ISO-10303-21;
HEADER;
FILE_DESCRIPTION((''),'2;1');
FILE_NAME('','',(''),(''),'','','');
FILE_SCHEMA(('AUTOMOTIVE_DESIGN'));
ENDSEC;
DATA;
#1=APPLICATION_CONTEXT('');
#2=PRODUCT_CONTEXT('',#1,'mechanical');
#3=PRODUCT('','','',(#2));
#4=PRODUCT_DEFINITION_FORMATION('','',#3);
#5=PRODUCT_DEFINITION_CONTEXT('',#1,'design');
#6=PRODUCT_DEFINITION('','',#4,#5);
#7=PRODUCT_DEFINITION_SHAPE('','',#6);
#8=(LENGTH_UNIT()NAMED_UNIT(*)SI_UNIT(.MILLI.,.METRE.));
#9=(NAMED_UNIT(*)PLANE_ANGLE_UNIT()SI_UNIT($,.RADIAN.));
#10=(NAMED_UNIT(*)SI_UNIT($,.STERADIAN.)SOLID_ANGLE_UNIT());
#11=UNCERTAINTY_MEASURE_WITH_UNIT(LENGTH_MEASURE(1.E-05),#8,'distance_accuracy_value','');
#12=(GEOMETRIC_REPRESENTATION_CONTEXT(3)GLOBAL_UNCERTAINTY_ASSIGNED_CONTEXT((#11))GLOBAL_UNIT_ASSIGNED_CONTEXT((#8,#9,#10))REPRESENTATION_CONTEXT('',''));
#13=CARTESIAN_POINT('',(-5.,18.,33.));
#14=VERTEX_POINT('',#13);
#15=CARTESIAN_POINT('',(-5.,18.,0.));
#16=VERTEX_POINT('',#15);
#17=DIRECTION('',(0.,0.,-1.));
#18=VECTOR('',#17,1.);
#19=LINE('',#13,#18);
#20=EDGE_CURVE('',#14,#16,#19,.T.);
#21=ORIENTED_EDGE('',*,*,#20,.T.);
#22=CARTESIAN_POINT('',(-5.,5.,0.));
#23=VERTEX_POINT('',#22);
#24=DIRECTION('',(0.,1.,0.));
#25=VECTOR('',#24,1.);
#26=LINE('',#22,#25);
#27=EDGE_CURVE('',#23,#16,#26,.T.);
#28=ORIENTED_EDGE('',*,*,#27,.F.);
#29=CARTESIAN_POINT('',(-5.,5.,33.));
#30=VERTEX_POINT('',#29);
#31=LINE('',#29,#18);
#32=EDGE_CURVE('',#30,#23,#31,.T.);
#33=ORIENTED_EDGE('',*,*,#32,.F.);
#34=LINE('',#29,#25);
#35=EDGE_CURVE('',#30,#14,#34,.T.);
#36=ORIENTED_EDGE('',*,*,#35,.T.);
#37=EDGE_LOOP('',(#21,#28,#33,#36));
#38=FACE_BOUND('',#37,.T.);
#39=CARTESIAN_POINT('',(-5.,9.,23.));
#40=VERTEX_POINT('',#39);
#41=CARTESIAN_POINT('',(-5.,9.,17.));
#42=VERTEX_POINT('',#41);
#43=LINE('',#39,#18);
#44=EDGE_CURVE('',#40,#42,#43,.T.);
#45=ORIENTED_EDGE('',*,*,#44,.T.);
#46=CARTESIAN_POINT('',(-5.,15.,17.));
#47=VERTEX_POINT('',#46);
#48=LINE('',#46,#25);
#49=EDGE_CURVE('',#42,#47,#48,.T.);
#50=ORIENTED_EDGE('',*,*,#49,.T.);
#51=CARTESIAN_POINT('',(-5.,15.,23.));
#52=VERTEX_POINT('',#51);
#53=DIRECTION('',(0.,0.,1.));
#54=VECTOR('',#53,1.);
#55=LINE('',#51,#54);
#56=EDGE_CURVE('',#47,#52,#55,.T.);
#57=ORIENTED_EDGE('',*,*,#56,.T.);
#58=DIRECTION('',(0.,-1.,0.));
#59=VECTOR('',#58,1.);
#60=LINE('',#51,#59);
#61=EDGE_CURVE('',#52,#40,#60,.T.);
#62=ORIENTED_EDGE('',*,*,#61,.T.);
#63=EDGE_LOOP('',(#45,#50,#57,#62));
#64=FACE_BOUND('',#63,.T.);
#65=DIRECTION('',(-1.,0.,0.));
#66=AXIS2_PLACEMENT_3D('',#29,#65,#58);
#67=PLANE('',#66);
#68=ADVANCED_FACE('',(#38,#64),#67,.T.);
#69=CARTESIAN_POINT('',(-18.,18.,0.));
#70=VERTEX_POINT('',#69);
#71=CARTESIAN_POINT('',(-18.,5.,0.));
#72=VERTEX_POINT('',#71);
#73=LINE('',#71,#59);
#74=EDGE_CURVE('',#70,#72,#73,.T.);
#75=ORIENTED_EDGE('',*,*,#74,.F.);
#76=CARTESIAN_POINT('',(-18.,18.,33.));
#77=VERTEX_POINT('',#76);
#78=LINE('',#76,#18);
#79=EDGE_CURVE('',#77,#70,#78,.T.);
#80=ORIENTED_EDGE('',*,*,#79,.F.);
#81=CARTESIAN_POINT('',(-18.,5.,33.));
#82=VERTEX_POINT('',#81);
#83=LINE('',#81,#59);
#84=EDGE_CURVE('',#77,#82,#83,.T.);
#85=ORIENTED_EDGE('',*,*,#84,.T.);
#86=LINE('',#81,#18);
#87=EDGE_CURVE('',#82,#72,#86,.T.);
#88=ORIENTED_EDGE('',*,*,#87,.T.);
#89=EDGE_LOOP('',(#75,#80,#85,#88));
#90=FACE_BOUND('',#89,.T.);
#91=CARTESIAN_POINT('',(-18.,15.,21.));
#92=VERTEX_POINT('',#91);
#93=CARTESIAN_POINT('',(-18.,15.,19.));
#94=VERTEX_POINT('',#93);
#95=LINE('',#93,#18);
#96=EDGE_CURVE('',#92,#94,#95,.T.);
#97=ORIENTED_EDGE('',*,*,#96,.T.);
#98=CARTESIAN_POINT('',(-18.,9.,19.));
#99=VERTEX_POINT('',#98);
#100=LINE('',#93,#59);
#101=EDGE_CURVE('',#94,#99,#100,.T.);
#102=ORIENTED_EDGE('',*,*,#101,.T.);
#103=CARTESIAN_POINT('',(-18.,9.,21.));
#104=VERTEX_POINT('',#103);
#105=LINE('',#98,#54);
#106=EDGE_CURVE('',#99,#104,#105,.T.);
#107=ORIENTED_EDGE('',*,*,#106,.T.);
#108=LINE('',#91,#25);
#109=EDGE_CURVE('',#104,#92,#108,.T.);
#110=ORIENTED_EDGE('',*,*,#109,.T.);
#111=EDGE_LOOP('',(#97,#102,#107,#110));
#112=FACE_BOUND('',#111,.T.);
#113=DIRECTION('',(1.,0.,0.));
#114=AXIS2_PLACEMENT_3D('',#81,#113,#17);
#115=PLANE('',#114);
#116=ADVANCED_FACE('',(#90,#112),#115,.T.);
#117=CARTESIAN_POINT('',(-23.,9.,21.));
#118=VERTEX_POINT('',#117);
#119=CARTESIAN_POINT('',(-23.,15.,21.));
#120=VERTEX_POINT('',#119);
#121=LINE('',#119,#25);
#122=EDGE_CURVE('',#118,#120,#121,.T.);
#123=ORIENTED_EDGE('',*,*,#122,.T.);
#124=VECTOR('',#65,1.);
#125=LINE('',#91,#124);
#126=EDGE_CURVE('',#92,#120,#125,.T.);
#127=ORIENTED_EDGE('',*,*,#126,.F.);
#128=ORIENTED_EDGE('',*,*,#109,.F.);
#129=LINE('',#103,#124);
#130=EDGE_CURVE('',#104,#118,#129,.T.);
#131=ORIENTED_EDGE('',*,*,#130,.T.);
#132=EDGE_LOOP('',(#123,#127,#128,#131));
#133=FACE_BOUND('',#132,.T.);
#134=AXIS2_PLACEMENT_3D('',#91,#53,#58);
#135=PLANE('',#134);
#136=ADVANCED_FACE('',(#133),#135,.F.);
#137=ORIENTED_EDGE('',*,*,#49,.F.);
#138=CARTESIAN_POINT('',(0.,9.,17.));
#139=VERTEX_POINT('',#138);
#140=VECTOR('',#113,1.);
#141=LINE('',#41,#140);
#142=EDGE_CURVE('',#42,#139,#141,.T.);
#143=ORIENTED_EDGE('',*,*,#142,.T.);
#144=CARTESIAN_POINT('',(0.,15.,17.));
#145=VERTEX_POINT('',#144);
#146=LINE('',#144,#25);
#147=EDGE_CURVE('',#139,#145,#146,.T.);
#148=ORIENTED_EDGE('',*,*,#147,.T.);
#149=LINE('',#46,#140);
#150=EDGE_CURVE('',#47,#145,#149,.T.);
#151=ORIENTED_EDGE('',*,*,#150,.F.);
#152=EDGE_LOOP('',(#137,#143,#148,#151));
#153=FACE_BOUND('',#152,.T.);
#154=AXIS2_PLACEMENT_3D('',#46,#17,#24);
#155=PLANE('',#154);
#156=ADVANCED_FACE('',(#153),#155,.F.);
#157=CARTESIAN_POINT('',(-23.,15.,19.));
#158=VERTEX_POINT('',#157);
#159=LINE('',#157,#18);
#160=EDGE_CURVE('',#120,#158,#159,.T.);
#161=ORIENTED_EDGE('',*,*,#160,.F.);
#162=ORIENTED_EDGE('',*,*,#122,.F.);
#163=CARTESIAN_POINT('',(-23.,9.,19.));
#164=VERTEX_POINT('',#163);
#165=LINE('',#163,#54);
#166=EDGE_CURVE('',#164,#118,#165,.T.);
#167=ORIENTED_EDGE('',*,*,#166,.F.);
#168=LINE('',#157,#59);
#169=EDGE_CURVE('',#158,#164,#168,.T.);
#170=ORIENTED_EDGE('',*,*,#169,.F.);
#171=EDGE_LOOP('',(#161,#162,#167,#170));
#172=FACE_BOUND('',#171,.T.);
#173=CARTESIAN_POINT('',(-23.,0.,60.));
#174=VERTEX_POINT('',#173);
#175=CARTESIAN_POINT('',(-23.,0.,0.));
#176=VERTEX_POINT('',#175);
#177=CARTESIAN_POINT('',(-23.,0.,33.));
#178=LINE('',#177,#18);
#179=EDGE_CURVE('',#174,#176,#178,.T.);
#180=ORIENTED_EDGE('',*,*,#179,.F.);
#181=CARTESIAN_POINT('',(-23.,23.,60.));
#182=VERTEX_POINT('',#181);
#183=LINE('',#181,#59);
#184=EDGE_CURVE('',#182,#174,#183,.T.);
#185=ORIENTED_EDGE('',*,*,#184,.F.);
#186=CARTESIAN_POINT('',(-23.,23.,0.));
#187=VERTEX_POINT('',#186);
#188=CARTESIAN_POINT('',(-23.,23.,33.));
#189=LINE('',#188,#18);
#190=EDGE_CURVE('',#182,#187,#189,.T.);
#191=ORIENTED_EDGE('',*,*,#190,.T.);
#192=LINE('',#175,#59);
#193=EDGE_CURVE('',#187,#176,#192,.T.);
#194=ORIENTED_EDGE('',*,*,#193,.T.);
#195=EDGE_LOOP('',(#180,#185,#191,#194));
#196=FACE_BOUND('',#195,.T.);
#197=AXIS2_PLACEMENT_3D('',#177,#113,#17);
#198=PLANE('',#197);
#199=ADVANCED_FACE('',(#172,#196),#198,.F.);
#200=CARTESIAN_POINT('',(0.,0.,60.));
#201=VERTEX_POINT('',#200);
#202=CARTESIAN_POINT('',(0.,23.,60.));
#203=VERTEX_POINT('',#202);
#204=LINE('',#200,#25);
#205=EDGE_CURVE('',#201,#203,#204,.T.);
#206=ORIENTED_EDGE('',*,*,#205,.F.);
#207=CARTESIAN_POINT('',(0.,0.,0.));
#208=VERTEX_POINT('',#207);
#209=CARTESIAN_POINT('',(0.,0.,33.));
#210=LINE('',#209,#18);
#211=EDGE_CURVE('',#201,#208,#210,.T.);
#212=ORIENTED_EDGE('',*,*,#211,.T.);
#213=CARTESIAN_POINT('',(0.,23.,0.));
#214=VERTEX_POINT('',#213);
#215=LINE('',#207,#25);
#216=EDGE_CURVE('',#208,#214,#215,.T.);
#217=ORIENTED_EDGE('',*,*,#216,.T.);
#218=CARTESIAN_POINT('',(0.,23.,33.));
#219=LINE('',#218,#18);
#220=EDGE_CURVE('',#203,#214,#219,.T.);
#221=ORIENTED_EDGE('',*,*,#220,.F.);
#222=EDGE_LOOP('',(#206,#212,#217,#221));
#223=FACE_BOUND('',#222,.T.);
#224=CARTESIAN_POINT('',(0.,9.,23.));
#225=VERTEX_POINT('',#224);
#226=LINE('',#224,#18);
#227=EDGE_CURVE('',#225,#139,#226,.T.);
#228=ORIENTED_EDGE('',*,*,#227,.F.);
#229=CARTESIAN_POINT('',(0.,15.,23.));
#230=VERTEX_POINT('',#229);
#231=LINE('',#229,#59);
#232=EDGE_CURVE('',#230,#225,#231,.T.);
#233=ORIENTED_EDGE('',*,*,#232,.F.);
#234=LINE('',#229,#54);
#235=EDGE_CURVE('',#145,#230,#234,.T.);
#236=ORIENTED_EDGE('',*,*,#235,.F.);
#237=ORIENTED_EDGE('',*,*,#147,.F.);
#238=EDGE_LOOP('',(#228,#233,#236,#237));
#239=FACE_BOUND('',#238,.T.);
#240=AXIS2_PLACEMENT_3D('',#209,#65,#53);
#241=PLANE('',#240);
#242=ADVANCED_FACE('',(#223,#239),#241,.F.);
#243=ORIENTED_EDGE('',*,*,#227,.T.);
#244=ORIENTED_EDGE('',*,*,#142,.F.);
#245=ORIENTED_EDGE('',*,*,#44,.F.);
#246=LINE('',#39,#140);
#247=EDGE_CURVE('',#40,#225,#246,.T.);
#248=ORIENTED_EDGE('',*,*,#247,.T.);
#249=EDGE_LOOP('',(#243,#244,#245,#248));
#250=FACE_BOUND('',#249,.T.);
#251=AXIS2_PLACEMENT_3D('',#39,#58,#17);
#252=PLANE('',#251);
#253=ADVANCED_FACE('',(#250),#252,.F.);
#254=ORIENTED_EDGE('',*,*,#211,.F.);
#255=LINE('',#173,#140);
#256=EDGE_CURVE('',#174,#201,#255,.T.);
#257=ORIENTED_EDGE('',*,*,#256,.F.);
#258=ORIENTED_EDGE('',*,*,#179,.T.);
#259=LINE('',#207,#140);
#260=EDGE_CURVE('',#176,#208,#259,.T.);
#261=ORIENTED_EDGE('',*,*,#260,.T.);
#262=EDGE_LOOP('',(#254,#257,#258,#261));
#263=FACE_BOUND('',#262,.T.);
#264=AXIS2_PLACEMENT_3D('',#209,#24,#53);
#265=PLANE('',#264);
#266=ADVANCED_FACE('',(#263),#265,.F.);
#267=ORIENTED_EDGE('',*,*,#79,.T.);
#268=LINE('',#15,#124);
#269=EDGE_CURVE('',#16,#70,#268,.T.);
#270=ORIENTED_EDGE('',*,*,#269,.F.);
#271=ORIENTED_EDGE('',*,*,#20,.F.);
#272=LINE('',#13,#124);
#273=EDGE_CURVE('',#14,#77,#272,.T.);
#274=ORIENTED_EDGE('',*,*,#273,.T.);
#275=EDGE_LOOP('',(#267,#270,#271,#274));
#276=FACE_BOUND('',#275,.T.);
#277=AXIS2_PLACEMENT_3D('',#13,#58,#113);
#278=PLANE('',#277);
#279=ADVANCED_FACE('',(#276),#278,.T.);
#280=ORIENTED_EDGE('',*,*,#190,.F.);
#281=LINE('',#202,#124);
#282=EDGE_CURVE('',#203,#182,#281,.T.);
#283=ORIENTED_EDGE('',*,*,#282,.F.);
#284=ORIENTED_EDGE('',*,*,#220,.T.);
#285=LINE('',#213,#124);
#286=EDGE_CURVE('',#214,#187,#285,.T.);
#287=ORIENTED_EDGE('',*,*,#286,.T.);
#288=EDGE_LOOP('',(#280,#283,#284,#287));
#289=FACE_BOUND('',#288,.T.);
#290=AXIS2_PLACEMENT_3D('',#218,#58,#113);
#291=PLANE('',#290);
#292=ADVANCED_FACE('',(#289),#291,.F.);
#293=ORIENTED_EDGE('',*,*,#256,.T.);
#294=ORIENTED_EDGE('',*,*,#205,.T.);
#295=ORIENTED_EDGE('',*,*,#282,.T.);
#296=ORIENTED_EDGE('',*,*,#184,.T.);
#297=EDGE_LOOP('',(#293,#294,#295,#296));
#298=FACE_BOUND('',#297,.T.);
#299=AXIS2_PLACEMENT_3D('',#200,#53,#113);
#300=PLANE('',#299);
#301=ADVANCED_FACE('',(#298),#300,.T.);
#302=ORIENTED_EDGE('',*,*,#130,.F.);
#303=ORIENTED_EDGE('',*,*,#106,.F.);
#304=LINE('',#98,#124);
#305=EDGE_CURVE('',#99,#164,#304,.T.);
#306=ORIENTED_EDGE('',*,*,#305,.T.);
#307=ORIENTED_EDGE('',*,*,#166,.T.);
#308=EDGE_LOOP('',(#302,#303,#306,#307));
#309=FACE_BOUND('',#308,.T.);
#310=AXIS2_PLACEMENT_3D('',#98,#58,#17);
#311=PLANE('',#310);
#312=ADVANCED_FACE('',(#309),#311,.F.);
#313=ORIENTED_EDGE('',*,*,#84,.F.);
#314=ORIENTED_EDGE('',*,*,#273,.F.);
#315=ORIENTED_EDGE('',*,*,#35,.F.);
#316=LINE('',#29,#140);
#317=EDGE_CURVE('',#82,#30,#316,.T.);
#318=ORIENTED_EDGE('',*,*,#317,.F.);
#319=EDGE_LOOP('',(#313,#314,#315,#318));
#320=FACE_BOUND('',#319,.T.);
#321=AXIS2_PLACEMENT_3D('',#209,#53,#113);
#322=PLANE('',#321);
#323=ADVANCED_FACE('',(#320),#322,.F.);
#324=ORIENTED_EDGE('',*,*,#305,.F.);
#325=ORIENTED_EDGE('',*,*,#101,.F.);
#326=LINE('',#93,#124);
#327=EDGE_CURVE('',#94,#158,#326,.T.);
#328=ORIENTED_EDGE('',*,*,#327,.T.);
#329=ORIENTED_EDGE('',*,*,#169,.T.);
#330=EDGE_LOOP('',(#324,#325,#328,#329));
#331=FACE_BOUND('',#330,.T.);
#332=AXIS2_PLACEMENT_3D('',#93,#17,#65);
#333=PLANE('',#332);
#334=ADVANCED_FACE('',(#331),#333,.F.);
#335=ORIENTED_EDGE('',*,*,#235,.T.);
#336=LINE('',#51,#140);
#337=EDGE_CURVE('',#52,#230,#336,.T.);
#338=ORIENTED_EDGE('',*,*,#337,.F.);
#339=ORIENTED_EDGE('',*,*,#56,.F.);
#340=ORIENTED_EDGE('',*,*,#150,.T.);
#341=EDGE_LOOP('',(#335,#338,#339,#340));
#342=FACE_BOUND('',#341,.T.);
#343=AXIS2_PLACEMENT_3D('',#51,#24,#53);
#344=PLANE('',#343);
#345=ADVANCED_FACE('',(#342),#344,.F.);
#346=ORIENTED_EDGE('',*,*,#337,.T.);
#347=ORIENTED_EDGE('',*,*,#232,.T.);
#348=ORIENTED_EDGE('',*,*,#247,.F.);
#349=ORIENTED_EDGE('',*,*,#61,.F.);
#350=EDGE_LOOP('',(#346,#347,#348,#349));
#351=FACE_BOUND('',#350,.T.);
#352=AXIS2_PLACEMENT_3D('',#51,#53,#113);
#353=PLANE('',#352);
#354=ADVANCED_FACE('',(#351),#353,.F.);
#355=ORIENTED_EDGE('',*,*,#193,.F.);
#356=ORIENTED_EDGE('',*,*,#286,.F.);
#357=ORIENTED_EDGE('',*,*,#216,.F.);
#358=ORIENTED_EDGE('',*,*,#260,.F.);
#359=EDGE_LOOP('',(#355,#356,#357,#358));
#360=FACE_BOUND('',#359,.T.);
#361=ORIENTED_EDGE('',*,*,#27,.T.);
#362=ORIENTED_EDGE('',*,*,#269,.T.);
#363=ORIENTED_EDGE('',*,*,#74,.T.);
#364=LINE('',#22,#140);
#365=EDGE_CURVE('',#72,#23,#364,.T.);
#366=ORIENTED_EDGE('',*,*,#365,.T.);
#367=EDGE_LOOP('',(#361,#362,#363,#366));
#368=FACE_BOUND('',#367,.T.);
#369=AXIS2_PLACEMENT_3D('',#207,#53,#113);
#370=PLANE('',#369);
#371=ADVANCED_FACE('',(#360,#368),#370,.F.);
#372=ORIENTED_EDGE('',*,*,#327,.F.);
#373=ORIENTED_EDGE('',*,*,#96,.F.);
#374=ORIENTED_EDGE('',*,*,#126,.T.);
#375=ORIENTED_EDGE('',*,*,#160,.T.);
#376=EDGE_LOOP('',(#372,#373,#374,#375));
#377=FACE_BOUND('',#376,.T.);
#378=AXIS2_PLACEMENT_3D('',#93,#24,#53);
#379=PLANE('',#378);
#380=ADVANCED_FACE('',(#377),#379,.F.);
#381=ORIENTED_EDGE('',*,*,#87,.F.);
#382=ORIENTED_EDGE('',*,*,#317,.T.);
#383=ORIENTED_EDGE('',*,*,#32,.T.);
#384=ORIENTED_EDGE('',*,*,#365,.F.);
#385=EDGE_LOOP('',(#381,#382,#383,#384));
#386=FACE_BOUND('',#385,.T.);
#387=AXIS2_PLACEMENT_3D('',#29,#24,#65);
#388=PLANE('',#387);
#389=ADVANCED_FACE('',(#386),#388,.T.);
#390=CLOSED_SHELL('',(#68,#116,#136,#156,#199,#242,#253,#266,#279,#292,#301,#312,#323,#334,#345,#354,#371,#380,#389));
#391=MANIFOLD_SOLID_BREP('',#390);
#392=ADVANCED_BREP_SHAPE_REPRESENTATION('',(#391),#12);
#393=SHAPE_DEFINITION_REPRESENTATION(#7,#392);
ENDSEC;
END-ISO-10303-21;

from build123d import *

# Parameters (mm, degrees)
SKETCH_3_W          = 23
SKETCH_3_H          = 23
SKETCH_3_W_2        = 13
SKETCH_3_H_2        = 13
EXTRUDE_1_DEPTH     = 33
SKETCH_6_W          = 23
SKETCH_6_H          = 23
EXTRUDE_3_DEPTH     = 27
SKETCH_9_W          = 6
SKETCH_9_H          = 6
EXTRUDE_5_DEPTH     = 5
SKETCH_9_2_W        = 6
SKETCH_9_2_H        = 6
CUT_EXTRUDE_3_DEPTH = 5
SKETCH_10_W         = 2
SKETCH_10_H         = 6
CUT_EXTRUDE_4_DEPTH = 5


with BuildPart() as part:
    # 草图3 → 凸台-拉伸1 (new body)
    with BuildSketch(Plane.XY):
        with Locations((-11.5, 11.5)):
            Rectangle(SKETCH_3_W, SKETCH_3_H)
        with Locations((-11.5, 11.5)):
            Rectangle(SKETCH_3_W_2, SKETCH_3_H_2, mode=Mode.SUBTRACT)
    extrude(amount=EXTRUDE_1_DEPTH)

    # 草图6 → 凸台-拉伸3 (add)
    with BuildSketch(Plane.XY.offset(33)):
        with Locations((-11.5, 11.5)):
            Rectangle(SKETCH_6_W, SKETCH_6_H)
    extrude(amount=EXTRUDE_3_DEPTH)

    # 草图9 → 凸台-拉伸5 (add)
    with BuildSketch(Plane(origin=(0, 0, 0), x_dir=(0, 0, -1), z_dir=(1, 0, 0))):
        with Locations((-20, 12)):
            Rectangle(SKETCH_9_W, SKETCH_9_H)
    extrude(amount=-EXTRUDE_5_DEPTH)

    # 草图9<2> → 切除-拉伸3 (cut)
    with BuildSketch(Plane(origin=(0, 0, 0), x_dir=(0, 0, -1), z_dir=(1, 0, 0))):
        with Locations((-20, 12)):
            Rectangle(SKETCH_9_2_W, SKETCH_9_2_H)
    extrude(amount=-CUT_EXTRUDE_3_DEPTH, mode=Mode.SUBTRACT)

    # 草图10 → 切除-拉伸4 (cut)
    with BuildSketch(Plane.ZY.offset(23)):
        with Locations((20, 12)):
            Rectangle(SKETCH_10_W, SKETCH_10_H)
    extrude(amount=-CUT_EXTRUDE_4_DEPTH, mode=Mode.SUBTRACT)


solid = part.part
